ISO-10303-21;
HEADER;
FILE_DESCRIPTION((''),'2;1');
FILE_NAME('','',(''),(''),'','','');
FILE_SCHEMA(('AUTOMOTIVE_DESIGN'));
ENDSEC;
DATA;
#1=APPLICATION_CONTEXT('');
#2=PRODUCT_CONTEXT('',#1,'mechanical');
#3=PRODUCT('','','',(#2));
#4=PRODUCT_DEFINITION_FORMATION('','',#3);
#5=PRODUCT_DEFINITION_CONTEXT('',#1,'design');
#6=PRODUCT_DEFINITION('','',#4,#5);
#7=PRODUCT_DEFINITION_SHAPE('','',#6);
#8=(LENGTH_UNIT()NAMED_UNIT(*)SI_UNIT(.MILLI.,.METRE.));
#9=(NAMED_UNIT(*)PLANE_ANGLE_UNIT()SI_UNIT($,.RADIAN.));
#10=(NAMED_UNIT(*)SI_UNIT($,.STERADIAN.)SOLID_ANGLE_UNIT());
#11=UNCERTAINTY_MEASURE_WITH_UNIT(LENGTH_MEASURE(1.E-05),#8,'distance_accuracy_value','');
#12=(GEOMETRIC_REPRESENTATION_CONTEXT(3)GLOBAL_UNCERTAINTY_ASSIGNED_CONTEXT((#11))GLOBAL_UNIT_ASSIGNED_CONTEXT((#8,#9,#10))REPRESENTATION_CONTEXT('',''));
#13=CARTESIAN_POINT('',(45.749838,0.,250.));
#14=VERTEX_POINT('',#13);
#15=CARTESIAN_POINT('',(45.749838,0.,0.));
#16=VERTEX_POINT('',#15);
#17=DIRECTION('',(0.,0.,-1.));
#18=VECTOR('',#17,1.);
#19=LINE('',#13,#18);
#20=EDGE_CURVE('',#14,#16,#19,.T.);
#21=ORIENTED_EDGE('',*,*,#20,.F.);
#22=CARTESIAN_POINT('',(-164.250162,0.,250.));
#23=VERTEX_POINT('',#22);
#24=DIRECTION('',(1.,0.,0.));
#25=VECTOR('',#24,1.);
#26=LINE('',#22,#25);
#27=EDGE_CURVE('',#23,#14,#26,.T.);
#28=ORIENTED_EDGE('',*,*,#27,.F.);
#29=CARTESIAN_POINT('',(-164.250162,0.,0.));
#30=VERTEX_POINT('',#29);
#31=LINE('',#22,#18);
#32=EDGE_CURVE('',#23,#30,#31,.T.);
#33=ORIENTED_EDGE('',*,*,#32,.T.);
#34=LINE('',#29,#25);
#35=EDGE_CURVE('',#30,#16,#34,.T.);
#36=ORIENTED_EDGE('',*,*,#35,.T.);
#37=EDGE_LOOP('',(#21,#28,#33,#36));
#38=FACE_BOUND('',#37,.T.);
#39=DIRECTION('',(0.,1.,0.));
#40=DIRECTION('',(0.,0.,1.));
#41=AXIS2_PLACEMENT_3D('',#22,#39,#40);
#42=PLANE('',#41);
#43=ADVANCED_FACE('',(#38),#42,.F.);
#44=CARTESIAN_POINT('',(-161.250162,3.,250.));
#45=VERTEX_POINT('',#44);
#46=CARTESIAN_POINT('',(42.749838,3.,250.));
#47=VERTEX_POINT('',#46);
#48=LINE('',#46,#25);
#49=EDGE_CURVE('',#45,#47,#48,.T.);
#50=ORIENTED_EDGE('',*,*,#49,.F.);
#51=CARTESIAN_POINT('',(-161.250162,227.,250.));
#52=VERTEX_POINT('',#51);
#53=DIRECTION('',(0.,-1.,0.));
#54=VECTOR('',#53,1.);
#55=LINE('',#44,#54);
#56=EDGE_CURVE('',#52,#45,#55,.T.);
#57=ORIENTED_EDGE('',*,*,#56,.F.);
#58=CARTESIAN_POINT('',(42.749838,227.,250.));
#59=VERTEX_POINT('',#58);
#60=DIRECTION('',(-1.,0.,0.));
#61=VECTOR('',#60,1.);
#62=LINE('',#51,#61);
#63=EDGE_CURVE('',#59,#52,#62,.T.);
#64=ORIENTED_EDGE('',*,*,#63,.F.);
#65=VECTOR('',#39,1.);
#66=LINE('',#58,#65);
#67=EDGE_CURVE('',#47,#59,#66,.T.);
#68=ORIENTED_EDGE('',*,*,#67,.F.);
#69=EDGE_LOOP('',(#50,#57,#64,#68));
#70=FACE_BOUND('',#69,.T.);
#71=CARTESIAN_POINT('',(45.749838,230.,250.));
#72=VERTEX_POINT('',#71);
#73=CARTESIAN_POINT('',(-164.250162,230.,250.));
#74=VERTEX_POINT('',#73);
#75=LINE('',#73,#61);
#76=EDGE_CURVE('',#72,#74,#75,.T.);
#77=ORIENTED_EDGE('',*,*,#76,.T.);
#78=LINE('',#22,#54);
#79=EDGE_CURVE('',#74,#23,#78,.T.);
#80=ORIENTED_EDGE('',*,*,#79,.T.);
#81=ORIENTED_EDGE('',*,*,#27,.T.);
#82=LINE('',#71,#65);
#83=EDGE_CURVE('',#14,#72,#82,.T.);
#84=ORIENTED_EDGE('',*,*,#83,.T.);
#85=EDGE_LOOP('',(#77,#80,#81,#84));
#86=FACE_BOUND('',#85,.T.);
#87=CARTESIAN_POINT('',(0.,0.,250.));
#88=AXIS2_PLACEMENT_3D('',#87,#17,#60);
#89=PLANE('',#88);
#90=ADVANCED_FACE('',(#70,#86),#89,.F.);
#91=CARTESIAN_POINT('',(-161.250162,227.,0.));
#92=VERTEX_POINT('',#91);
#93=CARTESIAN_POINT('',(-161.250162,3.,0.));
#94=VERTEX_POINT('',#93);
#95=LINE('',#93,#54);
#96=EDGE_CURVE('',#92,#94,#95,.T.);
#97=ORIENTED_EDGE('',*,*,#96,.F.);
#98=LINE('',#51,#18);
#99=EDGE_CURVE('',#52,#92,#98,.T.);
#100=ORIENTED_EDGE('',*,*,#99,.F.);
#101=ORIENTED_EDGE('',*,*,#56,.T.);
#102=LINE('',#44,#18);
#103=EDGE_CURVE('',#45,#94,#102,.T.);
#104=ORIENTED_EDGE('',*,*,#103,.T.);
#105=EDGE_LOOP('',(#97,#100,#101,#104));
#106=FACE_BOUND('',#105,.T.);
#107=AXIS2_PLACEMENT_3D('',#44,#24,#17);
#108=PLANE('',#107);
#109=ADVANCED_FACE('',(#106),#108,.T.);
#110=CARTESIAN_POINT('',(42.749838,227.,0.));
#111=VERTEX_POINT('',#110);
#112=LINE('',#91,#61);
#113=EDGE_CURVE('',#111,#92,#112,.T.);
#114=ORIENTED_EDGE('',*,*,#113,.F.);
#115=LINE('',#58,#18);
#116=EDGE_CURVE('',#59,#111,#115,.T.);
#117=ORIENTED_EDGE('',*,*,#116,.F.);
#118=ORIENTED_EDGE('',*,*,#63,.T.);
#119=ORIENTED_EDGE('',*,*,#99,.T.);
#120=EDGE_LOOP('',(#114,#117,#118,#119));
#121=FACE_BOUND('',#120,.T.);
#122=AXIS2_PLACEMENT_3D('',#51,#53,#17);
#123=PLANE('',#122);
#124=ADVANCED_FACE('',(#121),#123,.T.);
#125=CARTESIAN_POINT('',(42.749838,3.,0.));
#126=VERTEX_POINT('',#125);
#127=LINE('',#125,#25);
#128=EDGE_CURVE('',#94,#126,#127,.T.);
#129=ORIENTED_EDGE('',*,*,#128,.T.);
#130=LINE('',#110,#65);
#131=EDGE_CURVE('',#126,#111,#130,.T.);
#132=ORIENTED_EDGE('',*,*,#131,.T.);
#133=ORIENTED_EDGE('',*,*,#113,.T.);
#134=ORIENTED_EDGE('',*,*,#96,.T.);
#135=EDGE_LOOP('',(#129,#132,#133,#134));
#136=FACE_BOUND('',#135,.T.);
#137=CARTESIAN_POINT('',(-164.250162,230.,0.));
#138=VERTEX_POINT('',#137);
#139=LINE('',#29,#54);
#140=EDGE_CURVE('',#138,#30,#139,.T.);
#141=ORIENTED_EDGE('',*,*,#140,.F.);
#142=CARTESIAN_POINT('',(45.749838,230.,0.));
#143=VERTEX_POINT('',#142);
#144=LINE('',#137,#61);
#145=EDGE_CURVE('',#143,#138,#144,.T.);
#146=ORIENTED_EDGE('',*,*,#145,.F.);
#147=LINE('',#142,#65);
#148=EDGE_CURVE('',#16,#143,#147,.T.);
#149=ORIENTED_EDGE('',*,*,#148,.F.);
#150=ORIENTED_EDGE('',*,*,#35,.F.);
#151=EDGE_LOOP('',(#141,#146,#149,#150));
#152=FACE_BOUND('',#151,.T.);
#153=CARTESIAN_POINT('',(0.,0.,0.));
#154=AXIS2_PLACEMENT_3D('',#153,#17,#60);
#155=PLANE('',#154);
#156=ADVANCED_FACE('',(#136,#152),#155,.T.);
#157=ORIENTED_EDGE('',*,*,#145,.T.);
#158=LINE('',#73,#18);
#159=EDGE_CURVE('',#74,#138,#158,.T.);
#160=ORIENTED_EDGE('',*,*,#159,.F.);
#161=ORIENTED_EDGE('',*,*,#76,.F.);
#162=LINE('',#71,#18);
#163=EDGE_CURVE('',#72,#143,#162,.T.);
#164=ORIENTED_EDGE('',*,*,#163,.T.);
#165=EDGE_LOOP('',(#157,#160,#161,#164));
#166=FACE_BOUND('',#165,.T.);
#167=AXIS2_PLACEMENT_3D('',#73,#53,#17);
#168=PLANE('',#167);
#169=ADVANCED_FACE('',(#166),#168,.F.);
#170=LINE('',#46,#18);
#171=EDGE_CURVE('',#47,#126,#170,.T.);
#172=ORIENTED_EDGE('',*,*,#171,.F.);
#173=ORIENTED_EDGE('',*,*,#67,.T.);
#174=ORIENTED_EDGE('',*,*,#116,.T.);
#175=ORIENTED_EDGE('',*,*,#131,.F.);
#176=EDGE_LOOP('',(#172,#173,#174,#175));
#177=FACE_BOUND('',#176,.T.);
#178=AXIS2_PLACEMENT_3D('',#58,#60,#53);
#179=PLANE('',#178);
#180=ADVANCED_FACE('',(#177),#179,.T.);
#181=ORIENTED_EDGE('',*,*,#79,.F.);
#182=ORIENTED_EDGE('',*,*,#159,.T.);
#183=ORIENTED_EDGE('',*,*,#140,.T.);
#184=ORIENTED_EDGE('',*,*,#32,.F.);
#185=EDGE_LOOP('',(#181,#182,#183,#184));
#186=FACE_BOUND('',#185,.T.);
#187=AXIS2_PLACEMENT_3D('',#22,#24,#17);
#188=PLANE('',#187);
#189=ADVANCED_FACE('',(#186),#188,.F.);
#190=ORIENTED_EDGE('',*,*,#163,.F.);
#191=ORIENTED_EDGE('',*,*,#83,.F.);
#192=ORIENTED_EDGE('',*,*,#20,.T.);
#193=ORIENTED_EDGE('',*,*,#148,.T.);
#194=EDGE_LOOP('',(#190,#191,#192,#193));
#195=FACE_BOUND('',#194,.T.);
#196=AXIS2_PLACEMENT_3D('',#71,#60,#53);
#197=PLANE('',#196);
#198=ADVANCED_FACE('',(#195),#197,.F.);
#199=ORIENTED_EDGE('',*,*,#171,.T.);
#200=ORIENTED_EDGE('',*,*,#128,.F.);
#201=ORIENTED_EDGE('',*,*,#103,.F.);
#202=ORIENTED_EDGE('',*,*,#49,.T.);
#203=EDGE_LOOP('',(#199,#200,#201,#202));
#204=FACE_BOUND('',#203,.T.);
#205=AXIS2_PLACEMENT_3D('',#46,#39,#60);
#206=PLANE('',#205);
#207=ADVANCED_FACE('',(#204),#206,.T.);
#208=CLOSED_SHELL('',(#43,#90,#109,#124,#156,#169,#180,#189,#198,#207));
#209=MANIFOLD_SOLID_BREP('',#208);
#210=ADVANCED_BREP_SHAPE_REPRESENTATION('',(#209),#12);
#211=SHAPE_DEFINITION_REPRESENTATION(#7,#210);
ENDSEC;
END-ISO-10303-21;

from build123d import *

# Parameters (mm, degrees)
SKETCH1_W           = 210
SKETCH1_H           = 230
SKETCH1_W_2         = 204
SKETCH1_H_2         = 224
BOSS_EXTRUDE1_DEPTH = 250


with BuildPart() as part:
    # Sketch1 → Boss-Extrude1 (new body)
    with BuildSketch(Plane.XY):
        with Locations((-59.250162141, 115)):
            Rectangle(SKETCH1_W, SKETCH1_H)
        with Locations((-59.250162141, 115)):
            Rectangle(SKETCH1_W_2, SKETCH1_H_2, mode=Mode.SUBTRACT)
    extrude(amount=BOSS_EXTRUDE1_DEPTH)


solid = part.part
